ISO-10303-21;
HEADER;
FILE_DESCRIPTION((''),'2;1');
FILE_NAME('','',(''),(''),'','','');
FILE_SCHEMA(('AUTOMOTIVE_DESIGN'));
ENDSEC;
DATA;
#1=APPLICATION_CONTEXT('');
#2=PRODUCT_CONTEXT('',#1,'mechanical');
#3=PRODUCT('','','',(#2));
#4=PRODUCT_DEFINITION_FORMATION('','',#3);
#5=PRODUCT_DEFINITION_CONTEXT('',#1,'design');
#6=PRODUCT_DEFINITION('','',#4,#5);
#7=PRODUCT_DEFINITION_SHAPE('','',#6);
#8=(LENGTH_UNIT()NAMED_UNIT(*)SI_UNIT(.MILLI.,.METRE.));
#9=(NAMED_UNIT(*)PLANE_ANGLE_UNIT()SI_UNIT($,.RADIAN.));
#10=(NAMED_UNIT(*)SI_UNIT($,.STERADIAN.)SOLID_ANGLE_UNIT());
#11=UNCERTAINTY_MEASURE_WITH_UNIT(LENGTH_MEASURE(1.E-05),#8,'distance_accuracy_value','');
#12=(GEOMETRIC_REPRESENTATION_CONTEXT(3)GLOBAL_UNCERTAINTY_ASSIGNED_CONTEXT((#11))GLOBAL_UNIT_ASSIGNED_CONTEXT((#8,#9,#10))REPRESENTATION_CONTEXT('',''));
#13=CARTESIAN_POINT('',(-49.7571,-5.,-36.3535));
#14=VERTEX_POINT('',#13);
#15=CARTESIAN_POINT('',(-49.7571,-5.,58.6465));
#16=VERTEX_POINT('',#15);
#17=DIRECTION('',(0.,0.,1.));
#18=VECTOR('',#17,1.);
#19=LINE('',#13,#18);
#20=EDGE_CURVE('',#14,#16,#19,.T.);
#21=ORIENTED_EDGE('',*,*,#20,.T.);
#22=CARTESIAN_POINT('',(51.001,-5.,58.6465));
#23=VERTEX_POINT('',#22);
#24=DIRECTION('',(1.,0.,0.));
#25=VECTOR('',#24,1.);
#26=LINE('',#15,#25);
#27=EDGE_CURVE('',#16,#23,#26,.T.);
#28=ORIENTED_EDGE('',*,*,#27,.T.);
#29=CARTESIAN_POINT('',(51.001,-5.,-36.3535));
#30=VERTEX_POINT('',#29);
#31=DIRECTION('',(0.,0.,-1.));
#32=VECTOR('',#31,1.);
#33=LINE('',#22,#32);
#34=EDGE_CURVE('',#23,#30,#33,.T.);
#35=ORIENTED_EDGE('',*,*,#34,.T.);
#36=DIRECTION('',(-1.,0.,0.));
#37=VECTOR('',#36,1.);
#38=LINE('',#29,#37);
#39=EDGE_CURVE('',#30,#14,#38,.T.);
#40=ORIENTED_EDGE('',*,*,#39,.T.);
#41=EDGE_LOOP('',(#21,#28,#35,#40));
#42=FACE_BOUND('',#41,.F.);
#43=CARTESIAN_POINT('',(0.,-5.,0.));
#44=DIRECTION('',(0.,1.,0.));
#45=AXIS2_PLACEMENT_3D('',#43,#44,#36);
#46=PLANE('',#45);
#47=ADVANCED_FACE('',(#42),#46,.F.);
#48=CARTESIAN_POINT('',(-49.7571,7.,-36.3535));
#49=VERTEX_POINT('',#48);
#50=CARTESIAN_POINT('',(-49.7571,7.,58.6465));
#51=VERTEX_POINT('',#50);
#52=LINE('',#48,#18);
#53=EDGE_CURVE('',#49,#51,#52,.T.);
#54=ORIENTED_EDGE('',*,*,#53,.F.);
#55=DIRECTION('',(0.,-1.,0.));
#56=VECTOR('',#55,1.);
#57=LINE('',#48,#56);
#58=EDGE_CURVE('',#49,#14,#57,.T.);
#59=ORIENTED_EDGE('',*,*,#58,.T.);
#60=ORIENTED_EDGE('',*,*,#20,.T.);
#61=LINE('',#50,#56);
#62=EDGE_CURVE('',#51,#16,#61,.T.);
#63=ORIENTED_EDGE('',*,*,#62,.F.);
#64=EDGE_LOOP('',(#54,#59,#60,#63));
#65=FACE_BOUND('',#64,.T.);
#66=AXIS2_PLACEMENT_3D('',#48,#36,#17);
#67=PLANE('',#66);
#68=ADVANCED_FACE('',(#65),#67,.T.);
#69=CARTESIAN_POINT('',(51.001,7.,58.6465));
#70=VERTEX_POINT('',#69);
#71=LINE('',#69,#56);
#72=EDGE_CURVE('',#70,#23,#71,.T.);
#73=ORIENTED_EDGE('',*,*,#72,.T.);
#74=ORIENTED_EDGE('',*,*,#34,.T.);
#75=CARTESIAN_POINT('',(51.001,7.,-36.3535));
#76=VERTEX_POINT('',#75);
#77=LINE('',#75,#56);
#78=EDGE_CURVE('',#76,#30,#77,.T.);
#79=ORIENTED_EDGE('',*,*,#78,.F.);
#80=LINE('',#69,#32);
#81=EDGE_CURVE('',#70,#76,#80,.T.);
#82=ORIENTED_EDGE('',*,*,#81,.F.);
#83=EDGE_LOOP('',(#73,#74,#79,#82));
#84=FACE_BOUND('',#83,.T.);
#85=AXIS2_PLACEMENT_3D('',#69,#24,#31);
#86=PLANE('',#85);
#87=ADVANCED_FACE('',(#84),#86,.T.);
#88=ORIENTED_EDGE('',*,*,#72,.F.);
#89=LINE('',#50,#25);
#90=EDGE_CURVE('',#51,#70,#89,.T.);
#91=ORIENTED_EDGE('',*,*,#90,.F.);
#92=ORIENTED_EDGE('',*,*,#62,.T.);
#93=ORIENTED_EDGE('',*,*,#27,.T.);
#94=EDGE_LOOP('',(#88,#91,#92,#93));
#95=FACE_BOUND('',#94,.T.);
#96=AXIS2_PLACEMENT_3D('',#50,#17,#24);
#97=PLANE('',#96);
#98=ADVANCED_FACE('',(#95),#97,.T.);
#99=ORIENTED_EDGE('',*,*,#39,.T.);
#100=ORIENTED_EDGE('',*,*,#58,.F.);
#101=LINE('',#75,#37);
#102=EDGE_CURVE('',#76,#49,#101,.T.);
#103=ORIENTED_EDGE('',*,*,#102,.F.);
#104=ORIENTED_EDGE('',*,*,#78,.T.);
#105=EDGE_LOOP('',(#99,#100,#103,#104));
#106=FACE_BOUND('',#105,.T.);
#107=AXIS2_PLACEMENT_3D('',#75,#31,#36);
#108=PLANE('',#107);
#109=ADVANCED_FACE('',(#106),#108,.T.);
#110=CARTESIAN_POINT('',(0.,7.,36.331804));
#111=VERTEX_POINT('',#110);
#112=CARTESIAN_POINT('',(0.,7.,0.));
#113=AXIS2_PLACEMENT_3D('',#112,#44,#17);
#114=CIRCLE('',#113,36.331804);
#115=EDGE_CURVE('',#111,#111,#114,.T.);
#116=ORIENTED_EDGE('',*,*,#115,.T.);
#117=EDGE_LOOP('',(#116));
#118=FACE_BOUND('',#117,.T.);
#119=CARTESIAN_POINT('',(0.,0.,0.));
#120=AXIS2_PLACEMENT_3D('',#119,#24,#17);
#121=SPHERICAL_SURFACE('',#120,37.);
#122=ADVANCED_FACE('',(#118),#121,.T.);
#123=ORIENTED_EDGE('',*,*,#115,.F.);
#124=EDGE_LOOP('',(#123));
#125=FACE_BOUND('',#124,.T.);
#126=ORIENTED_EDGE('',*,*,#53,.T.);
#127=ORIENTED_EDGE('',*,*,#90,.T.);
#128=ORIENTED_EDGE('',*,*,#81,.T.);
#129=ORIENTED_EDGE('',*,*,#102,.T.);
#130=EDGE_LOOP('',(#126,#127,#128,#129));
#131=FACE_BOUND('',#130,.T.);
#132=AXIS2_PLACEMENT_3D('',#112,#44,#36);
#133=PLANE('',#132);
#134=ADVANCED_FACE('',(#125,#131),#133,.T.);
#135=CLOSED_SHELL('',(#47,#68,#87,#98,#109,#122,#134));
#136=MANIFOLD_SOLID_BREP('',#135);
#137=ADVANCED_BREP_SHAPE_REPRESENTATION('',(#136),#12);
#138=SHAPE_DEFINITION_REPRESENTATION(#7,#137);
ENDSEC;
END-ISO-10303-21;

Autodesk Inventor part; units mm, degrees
ref_plane "YZ Plane" through (0, 0, 0) normal (1, 0, 0) x (0, 1, 0)
ref_plane "XY Plane" through (0, 0, 0) normal (0, 0, 1) x (1, 0, 0)
sketch "Эскиз1" plane through (0, 0, 0) normal (0, 1, 0) x (-1, 0, 0)
  arc A0 (37, 0) -> (-37, 0) centre (0, 0) ccw
  line L0 (37, 0) -> (-37, 0)
  dimension "d0" = 37
revolve "Вращение1" add sketch "Эскиз1" angle 360 about axis through (-37, 0, 0) along (1, 0, 0)
ref_plane "РабПлоскость2" through (0, 7, 0) normal (0, 1, 0) x (-1, 0, 0)
ref_plane "РабПлоскость1" through (0, 37, 0) normal (0, 1, 0) x (-1, 0, 0)
sketch "Эскиз3" plane through (0, 0, 0) normal (1, 0, 0) x (0, 1, 0)
  circle A0 centre (0, 0) radius 37 projected
  line L0 (6.4, -36.4423) -> (6.4, -33.4423)
  line L1 (7.6, -36.211) -> (7.6, -33.4423)
  line L2 (6.4, -33.4423) -> (7.6, -33.4423)
  line L3 (7, 51.8) -> (7, -51.8) projected
  point P0 (7, -33.4423)
  dimension "d3" = 3
  dimension "d4" = 1.2
sketch "Эскиз4" plane through (0, 7, 0) normal (0, 1, 0) x (-1, 0, 0)
  circle A0 centre (0, 0) radius 37.054
extrude "Выдавливание1" cut sketch "Эскиз4" against normal blind 54.75
sketch "Эскиз5" plane through (0, 7, 0) normal (0, 1, 0) x (-1, 0, 0)
  line L0 (-51.001, -36.3535) -> (49.7571, -36.3535)
  line L1 (49.7571, -36.3535) -> (49.7571, 58.6465)
  line L2 (49.7571, 58.6465) -> (-51.001, 58.6465)
  line L3 (-51.001, 58.6465) -> (-51.001, -36.3535)
  point P0 (0, 0)
  dimension "d9" = 95
extrude "Выдавливание2" add sketch "Эскиз5" against normal blind 12
properties part number "ball_2"
